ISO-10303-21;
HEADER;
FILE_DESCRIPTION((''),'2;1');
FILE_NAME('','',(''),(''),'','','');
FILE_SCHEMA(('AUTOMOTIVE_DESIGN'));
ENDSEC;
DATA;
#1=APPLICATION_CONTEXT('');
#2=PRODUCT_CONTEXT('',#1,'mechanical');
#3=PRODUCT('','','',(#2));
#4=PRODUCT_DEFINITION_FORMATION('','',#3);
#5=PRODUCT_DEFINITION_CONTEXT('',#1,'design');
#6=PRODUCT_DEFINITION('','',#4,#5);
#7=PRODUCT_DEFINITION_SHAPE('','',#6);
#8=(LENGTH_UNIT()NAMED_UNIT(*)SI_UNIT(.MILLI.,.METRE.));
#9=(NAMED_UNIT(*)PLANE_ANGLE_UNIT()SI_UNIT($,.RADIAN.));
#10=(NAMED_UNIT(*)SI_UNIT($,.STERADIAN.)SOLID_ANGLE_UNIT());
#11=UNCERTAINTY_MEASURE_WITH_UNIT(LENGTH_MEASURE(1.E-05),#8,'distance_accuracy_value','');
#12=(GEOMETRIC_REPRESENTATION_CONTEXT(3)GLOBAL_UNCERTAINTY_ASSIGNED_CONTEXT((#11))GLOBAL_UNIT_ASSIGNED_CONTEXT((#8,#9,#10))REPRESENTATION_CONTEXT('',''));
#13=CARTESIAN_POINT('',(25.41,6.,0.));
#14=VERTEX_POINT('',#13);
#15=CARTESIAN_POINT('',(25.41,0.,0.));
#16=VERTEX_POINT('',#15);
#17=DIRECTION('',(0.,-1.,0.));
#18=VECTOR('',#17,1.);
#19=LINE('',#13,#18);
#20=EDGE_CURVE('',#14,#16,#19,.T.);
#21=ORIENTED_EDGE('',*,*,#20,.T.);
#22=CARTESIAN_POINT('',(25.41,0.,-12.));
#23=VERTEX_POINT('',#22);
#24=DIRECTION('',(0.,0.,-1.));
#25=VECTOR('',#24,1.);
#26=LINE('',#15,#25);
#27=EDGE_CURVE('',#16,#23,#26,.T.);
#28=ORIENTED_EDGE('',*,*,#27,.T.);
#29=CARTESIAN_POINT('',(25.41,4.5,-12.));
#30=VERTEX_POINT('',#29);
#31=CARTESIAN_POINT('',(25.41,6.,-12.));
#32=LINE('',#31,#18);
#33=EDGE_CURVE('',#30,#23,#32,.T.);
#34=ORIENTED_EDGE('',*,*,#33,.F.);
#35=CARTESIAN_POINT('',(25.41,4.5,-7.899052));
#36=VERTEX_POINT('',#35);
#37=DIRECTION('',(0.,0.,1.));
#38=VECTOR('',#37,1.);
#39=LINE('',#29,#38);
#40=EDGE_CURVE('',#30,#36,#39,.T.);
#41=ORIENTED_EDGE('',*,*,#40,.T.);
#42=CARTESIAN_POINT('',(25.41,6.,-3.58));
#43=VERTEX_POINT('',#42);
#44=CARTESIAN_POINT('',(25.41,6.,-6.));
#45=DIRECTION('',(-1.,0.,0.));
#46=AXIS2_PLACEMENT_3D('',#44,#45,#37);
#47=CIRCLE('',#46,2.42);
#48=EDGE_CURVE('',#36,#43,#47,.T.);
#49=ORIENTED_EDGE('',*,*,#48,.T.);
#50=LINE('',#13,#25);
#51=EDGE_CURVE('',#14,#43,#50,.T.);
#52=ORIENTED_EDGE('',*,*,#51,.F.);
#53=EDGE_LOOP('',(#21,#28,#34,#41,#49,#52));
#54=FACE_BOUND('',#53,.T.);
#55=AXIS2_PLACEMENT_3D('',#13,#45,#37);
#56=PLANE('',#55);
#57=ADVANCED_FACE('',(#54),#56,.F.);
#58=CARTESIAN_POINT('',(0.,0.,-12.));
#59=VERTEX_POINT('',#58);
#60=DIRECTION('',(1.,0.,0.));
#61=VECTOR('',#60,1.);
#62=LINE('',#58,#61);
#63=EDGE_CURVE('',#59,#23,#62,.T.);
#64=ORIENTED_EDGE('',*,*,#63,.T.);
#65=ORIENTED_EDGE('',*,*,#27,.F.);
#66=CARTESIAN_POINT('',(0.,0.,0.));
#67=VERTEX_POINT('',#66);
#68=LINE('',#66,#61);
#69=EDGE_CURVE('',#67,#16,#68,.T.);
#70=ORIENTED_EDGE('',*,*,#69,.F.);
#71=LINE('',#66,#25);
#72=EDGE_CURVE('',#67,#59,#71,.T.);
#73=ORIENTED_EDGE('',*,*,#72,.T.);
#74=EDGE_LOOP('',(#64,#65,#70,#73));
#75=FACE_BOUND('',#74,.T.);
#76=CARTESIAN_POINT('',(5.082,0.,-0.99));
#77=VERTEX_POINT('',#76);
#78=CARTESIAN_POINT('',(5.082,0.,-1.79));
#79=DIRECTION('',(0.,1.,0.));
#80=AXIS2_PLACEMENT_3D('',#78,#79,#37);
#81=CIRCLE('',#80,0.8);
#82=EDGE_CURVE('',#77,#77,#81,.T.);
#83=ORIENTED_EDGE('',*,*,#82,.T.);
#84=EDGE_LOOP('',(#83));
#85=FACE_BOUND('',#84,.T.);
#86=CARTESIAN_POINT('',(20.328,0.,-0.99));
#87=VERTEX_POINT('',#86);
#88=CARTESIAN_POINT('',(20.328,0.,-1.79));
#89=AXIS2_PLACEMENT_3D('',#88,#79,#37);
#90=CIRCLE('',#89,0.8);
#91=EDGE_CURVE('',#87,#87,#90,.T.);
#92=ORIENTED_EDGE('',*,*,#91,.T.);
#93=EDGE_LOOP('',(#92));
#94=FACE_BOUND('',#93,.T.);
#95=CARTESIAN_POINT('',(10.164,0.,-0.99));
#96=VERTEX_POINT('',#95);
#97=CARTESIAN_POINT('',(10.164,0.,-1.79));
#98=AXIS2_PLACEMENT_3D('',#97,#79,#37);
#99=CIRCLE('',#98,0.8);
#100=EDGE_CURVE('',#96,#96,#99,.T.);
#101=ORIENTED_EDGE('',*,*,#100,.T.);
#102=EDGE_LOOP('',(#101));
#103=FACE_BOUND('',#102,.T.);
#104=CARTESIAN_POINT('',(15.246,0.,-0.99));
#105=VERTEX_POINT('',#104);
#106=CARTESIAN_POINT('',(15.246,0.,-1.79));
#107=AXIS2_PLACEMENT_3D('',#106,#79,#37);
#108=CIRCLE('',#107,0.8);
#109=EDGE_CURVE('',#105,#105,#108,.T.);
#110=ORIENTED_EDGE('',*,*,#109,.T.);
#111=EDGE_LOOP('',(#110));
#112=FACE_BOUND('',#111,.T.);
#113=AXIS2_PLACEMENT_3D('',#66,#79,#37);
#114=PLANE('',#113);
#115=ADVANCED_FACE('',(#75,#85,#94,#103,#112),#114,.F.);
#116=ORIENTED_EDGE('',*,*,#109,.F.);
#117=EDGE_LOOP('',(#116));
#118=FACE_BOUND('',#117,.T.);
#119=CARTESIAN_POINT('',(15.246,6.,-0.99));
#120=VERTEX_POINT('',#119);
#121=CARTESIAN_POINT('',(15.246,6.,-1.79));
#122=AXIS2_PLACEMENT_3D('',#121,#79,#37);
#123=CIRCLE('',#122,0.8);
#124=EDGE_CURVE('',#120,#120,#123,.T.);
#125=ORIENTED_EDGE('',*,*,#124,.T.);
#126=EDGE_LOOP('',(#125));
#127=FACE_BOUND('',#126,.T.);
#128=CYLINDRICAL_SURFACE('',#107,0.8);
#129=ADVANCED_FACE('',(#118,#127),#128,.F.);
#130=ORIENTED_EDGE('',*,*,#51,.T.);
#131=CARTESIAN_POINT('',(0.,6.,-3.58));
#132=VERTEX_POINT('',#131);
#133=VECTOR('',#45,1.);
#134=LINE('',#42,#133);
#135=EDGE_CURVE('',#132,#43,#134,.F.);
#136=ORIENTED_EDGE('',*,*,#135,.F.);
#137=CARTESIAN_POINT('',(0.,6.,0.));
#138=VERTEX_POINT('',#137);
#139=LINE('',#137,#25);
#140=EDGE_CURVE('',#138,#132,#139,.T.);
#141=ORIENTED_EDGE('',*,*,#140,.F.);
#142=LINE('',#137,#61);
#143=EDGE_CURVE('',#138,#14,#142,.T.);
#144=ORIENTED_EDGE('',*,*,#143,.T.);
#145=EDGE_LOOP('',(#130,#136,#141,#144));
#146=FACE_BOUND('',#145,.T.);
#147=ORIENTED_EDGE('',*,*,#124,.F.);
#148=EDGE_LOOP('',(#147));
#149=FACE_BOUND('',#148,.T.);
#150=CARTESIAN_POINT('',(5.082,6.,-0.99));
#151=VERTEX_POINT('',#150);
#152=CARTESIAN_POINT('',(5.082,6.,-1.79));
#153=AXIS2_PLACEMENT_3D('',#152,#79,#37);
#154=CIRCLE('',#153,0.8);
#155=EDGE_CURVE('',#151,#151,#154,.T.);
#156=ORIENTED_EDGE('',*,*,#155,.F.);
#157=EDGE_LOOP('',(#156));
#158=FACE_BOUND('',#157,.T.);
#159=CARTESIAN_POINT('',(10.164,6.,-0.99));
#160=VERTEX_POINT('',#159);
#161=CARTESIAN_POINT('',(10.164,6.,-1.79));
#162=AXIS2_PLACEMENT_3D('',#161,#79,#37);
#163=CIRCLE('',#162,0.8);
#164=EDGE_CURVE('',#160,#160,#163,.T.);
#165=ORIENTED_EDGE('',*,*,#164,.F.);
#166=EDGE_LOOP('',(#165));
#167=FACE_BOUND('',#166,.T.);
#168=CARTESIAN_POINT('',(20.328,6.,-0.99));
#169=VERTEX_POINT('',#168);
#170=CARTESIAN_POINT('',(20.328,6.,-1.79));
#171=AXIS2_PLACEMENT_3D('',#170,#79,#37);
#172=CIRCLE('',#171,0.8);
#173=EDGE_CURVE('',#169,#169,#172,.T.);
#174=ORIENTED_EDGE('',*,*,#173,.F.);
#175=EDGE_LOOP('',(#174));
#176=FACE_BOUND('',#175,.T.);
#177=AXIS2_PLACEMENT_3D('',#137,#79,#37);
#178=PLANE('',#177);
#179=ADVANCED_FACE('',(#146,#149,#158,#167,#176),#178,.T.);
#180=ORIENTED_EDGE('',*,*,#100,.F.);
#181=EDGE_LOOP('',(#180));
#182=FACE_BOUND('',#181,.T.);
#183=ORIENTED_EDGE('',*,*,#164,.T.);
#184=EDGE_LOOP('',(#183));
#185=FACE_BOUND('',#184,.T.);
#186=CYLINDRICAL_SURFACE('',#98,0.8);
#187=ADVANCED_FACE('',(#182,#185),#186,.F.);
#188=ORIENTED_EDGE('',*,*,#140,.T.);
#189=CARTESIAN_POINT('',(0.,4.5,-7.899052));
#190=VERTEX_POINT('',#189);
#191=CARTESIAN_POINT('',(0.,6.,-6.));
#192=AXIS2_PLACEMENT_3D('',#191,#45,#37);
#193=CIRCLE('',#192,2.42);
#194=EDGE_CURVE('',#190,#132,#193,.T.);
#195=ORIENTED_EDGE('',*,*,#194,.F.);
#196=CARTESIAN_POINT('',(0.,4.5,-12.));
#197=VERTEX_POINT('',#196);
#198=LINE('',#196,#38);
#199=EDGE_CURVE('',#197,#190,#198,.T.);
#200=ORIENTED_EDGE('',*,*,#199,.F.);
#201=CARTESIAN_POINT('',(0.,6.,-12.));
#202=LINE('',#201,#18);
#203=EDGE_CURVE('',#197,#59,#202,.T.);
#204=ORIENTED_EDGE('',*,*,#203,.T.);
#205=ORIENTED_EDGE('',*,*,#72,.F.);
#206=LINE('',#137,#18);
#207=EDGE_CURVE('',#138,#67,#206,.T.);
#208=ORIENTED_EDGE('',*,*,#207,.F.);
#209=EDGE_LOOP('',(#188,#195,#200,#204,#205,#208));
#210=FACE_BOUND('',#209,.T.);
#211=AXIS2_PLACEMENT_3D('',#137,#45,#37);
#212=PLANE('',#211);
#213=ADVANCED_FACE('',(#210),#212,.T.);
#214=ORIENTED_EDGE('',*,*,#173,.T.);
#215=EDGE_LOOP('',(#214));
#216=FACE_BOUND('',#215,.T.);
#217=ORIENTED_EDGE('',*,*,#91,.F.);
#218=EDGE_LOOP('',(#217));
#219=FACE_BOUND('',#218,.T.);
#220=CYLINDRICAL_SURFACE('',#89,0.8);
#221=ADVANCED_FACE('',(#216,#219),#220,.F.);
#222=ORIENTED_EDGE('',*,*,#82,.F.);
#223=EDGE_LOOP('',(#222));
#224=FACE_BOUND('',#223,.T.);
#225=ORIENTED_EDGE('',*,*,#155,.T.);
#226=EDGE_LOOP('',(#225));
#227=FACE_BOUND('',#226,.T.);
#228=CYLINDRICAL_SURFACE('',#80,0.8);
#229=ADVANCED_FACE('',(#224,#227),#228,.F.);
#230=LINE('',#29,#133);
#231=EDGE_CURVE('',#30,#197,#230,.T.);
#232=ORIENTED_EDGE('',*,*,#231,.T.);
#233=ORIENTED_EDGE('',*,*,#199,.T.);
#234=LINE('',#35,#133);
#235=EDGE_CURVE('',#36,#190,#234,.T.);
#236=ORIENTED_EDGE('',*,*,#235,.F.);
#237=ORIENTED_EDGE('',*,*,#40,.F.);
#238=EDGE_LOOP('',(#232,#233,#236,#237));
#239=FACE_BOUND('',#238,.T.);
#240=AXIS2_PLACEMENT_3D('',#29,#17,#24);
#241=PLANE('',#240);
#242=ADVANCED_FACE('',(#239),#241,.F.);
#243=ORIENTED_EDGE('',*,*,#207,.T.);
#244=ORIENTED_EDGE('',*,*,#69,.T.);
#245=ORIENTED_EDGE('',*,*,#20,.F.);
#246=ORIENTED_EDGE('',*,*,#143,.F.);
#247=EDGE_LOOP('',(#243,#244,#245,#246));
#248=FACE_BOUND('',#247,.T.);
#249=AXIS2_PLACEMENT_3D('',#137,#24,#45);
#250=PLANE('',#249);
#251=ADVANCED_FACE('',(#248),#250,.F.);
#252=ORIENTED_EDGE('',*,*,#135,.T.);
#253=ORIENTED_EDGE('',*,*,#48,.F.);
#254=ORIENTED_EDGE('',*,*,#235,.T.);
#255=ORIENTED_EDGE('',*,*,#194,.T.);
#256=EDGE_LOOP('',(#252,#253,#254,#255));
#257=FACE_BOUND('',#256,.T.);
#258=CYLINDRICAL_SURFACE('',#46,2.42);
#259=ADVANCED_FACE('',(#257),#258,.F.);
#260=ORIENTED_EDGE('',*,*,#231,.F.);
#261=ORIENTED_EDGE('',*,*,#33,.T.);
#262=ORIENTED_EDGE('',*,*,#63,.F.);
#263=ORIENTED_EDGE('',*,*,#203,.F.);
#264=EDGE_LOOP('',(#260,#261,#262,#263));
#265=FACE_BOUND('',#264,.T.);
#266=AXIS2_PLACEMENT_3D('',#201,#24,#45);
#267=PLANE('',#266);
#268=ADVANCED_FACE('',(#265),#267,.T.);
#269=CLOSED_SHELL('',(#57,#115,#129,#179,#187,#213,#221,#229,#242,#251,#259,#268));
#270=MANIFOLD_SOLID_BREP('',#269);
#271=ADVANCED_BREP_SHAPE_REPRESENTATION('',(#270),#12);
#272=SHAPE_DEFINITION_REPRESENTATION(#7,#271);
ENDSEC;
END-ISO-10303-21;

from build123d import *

# Parameters (mm, degrees)
SKETCH1_W           = 25.41
SKETCH1_H           = 12
BOSS_EXTRUDE1_DEPTH = 6
SKETCH2_R           = 2.42
CUT_EXTRUDE1_DEPTH  = 25.41
SKETCH3_W           = 4.543452961
SKETCH3_H           = 1.5
CUT_EXTRUDE2_DEPTH  = 25.41
SKETCH4_R           = 0.8
CUT_EXTRUDE4_DEPTH  = 7


with BuildPart() as part:
    # Sketch1 → Boss-Extrude1 (new body)
    with BuildSketch(Plane(origin=(0, 0, 0), x_dir=(1, 0, 0), z_dir=(0, 1, 0))):
        with Locations((12.705, 6)):
            Rectangle(SKETCH1_W, SKETCH1_H)
    extrude(amount=BOSS_EXTRUDE1_DEPTH)

    # Sketch2 → Cut-Extrude1 (cut)
    with BuildSketch(Plane.ZY):
        with Locations((-6, 6)):
            Circle(SKETCH2_R)
    extrude(amount=-CUT_EXTRUDE1_DEPTH, mode=Mode.SUBTRACT)

    # Sketch3 → Cut-Extrude2 (cut)
    with BuildSketch(Plane.ZY):
        with Locations((-9.72827352, 5.25)):
            Rectangle(SKETCH3_W, SKETCH3_H)
    extrude(amount=-CUT_EXTRUDE2_DEPTH, mode=Mode.SUBTRACT)

    # Sketch4 → Cut-Extrude4 (cut, through all)
    with BuildSketch(Plane(origin=(0, 6, 0), x_dir=(1, 0, 0), z_dir=(0, 1, 0))):
        with Locations((5.082, 1.79)):
            Circle(SKETCH4_R)
        with Locations((10.164, 1.79)):
            Circle(SKETCH4_R)
        with Locations((15.246, 1.79)):
            Circle(SKETCH4_R)
        with Locations((20.328, 1.79)):
            Circle(SKETCH4_R)
    extrude(amount=-CUT_EXTRUDE4_DEPTH, mode=Mode.SUBTRACT)


solid = part.part
